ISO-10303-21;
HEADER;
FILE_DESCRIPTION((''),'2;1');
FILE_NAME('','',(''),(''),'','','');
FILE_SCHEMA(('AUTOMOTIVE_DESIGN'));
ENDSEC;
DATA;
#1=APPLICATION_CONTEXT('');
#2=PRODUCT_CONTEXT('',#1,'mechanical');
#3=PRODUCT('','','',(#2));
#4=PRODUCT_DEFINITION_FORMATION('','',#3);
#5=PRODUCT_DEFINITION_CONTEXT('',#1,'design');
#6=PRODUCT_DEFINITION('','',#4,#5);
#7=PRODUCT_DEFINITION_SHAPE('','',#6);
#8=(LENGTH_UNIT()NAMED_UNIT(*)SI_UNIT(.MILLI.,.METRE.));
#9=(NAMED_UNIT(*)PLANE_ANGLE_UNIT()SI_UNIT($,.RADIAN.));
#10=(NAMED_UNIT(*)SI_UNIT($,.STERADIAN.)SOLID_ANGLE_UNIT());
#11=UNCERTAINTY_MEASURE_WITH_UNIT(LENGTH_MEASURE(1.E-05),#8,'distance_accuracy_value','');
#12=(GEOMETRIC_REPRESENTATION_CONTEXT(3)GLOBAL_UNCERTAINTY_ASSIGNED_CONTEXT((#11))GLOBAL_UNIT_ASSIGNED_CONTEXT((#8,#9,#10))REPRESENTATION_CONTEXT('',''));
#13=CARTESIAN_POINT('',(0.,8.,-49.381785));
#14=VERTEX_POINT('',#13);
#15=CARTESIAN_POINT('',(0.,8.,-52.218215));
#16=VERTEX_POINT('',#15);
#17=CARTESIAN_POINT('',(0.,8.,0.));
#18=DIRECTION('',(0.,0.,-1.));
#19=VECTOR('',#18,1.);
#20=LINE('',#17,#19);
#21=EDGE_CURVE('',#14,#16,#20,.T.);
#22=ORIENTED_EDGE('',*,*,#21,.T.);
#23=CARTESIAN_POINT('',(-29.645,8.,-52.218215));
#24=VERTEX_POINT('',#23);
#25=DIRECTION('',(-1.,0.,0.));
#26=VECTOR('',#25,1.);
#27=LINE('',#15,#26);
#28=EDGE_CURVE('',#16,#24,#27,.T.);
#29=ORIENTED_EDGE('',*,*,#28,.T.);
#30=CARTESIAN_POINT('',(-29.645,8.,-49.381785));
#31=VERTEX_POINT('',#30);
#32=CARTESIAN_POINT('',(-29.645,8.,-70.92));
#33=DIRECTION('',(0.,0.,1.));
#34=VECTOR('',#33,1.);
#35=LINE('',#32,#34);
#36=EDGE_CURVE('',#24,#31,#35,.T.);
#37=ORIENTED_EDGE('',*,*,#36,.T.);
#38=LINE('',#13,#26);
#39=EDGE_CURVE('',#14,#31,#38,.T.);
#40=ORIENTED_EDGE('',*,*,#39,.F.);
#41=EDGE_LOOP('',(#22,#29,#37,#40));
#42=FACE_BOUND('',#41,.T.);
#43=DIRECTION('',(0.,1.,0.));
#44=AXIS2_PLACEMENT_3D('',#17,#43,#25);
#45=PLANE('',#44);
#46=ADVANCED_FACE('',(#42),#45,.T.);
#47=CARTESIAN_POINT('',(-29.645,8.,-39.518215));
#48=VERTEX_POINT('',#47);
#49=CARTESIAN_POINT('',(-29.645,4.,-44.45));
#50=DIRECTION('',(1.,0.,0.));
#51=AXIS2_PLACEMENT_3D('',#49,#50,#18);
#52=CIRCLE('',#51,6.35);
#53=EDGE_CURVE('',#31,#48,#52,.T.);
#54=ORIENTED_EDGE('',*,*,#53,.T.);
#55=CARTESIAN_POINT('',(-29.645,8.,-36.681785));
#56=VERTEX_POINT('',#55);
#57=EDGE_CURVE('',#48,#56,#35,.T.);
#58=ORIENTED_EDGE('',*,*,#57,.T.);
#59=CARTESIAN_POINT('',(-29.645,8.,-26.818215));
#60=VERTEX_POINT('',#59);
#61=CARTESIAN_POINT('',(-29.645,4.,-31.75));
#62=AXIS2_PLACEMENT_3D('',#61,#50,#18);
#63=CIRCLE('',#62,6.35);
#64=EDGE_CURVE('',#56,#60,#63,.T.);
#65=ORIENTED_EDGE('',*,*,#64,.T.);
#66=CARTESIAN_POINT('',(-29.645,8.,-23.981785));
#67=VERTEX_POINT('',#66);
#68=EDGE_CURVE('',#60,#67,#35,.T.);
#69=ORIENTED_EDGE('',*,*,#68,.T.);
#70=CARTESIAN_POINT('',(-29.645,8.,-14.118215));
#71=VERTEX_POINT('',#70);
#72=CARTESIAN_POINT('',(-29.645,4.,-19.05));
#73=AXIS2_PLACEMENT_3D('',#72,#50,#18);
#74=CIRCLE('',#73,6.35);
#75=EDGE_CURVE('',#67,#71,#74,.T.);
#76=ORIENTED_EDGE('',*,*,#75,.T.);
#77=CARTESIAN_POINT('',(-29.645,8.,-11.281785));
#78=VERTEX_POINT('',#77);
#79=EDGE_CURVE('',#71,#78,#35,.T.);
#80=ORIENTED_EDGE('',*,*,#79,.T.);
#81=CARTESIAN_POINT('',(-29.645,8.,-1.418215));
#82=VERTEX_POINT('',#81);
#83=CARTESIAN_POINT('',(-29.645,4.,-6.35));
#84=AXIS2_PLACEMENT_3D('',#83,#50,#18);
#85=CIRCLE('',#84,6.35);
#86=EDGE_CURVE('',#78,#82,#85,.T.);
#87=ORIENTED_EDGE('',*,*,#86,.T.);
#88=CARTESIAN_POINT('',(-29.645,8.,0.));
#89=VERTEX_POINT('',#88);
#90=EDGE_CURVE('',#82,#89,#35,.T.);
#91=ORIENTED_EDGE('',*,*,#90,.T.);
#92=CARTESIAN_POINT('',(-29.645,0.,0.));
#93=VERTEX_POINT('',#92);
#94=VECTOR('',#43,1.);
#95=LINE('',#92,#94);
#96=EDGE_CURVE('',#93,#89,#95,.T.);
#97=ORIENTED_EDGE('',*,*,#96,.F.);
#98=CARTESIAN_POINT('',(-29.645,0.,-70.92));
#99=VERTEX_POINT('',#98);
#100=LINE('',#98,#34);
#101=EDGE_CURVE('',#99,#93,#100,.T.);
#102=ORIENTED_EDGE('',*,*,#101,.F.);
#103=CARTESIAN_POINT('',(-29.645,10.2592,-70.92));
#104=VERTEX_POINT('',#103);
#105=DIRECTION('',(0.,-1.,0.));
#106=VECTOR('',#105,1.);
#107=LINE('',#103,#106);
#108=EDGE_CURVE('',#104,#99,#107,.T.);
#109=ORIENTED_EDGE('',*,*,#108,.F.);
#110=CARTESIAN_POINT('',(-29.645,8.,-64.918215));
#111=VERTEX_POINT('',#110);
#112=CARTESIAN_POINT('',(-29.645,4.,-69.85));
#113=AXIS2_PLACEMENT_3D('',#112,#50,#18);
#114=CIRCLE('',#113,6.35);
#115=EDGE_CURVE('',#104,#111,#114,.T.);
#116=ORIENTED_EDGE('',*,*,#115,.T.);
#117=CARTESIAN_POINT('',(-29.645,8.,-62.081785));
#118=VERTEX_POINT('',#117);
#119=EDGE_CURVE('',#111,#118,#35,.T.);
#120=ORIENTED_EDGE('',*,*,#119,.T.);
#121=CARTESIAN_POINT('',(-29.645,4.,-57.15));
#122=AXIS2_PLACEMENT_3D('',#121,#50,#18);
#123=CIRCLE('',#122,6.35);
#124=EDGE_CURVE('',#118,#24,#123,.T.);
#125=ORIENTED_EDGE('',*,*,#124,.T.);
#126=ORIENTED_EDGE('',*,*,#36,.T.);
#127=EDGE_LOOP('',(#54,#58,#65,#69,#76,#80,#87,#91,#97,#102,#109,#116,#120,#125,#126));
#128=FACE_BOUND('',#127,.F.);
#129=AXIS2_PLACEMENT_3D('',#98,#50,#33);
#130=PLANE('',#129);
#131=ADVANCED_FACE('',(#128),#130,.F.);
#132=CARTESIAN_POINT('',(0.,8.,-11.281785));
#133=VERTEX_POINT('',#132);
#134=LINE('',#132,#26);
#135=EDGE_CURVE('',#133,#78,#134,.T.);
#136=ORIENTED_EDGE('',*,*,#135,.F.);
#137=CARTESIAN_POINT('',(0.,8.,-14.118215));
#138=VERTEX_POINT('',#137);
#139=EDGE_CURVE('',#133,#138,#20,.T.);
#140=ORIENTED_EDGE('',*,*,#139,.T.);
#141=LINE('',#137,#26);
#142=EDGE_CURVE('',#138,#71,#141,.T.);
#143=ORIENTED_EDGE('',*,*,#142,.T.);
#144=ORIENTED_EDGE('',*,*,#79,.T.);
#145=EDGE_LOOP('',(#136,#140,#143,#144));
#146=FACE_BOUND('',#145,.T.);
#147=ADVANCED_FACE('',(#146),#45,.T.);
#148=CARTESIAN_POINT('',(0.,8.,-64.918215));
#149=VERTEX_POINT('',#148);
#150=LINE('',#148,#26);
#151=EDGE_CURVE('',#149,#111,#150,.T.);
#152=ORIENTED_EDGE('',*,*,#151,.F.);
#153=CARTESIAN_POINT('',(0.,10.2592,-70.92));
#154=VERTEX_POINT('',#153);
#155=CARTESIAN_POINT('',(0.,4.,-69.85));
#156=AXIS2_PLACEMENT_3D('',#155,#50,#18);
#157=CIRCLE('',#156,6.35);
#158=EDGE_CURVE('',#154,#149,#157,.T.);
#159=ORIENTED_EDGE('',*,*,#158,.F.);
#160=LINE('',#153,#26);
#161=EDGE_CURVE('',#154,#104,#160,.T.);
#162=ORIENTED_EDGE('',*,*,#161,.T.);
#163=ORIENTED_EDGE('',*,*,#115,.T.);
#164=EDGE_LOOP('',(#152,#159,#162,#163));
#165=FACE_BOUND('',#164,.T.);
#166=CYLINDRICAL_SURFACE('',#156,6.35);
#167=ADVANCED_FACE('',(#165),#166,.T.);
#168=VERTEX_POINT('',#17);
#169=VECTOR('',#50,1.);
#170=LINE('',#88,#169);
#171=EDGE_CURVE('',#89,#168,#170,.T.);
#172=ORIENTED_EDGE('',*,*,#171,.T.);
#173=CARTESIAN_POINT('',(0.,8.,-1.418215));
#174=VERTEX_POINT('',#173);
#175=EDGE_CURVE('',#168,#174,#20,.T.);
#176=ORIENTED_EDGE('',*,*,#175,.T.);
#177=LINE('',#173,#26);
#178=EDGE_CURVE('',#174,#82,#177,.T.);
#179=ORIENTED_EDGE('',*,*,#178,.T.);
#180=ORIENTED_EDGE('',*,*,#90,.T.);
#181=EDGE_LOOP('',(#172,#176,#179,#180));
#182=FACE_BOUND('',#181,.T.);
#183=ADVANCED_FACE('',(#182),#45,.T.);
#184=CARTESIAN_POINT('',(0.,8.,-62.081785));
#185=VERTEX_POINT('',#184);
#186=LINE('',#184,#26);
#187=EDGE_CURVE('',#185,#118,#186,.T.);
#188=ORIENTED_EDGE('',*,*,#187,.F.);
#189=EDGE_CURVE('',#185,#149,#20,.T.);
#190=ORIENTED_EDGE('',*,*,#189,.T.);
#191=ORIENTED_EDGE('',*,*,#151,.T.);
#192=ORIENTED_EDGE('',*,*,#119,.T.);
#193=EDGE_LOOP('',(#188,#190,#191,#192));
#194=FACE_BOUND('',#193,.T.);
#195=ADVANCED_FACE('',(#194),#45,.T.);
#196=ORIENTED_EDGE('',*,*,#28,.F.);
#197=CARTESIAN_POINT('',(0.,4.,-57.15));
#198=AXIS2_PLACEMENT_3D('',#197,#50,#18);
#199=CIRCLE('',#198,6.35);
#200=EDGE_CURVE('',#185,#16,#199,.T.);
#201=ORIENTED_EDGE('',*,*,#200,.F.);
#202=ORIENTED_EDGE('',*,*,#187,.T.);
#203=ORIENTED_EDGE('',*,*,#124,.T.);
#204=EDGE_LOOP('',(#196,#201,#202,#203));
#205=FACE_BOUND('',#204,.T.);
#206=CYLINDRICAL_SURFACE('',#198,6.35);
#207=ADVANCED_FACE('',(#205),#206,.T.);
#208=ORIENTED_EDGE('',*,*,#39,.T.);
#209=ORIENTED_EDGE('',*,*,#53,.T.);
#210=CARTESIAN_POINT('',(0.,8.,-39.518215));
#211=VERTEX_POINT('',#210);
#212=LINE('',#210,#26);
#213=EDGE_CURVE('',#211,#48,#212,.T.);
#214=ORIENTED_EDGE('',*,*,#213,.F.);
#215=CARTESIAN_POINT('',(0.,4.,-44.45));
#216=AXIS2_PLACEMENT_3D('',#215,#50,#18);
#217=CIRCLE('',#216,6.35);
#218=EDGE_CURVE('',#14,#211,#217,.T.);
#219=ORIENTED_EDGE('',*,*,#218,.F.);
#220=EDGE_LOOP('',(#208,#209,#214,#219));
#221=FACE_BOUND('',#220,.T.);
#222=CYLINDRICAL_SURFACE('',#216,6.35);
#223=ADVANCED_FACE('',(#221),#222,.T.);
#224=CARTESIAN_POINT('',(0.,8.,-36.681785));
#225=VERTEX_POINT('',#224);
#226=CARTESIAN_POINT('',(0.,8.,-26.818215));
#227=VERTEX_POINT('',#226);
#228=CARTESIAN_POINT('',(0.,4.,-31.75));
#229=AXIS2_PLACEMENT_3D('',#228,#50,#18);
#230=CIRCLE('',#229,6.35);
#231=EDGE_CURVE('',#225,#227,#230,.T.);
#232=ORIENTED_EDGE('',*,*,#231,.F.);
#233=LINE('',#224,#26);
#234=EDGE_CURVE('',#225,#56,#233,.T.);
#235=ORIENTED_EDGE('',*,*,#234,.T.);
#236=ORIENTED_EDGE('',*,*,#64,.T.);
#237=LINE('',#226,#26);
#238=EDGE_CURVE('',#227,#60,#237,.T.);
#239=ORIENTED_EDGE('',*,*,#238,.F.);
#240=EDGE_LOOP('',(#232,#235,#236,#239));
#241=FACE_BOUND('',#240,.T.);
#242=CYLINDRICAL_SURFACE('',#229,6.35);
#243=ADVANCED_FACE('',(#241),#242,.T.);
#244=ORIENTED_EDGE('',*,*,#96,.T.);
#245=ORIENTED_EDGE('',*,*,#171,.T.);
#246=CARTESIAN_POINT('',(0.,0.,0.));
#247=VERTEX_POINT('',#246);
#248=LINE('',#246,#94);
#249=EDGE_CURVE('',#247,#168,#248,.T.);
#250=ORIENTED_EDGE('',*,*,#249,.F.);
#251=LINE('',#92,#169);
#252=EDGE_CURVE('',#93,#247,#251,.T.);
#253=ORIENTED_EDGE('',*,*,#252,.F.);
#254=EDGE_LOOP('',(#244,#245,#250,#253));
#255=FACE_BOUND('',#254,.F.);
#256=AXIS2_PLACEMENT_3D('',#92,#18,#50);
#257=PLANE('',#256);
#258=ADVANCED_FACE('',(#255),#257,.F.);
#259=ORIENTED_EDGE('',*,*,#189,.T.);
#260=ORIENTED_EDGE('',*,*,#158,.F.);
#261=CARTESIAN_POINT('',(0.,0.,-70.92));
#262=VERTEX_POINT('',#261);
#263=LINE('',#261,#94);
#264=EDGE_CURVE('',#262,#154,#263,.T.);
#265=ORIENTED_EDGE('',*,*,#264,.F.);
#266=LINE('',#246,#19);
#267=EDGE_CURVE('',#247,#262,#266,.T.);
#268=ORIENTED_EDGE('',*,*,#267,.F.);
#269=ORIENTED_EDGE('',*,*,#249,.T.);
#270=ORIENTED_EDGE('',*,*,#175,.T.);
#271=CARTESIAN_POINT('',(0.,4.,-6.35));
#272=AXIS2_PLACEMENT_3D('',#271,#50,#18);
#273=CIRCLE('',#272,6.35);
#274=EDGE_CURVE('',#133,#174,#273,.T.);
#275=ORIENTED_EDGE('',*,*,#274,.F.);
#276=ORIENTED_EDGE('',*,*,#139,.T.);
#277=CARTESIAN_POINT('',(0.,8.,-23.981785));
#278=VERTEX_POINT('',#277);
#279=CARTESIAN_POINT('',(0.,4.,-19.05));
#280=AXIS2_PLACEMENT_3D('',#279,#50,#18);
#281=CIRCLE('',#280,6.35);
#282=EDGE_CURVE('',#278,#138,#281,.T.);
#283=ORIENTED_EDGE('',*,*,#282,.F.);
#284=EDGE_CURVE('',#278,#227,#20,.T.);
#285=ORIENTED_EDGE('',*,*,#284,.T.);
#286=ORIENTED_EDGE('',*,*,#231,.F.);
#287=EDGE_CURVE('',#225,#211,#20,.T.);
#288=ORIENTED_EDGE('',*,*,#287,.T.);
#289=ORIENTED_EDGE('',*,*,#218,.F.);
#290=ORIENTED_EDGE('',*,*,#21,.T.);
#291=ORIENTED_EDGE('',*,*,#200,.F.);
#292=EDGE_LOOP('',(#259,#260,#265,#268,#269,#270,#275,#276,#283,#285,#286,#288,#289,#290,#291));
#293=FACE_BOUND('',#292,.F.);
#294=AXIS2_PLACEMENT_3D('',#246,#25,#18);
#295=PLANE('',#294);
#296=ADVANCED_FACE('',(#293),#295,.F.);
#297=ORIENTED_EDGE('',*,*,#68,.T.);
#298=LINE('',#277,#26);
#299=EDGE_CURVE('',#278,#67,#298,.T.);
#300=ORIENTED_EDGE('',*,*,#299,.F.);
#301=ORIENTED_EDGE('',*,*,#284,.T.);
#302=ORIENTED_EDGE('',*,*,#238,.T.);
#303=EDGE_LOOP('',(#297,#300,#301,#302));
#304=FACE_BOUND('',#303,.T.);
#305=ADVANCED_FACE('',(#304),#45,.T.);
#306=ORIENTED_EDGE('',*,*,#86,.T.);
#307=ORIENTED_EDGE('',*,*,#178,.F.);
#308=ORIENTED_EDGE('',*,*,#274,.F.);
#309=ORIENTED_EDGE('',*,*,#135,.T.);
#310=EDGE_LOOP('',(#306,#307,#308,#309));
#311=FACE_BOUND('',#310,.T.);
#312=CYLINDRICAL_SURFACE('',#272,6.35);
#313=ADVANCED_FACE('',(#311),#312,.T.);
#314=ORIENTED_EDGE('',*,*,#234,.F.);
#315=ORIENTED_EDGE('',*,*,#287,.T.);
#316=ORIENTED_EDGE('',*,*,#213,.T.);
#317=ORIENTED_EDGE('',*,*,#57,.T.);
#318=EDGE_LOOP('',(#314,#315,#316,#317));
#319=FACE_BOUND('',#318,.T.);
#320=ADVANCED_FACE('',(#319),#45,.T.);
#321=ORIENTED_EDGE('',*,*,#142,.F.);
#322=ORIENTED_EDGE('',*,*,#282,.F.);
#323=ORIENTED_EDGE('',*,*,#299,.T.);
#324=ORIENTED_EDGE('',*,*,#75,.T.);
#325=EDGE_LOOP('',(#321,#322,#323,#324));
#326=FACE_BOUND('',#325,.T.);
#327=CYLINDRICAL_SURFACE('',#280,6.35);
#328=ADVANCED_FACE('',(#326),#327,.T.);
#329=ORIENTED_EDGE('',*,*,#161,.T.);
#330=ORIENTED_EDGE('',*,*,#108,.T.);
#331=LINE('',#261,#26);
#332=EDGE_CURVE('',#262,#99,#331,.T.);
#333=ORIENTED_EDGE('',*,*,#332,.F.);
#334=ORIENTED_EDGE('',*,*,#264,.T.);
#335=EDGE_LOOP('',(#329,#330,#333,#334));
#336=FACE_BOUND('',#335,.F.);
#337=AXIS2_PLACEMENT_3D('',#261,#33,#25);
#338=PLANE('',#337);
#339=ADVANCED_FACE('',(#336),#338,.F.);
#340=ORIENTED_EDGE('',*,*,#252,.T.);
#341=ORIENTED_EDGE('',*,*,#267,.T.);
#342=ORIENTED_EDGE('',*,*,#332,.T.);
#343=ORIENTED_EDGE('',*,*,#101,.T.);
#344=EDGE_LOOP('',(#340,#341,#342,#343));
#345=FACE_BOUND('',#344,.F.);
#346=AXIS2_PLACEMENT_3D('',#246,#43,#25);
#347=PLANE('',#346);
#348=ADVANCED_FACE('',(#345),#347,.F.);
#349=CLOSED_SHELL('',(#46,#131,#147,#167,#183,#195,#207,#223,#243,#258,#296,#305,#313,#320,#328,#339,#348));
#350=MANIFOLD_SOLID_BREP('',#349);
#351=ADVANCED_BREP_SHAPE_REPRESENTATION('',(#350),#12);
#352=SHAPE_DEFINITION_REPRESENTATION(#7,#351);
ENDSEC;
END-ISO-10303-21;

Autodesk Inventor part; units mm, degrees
ref_plane "YZ Plane" through (0, 0, 0) normal (1, 0, 0) x (0, 1, 0)
ref_plane "XZ Plane" through (0, 0, 0) normal (0, 1, 0) x (-1, 0, 0)
ref_plane "XY Plane" through (0, 0, 0) normal (0, 0, 1) x (1, 0, 0)
sketch "Sketch1" plane through (0, 0, 0) normal (0, 1, 0) x (-1, 0, 0)
  line L0 (0, 0) -> (0, -70.92)
  line L1 (0, -70.92) -> (29.645, -70.92)
  line L2 (29.645, -70.92) -> (29.645, 0)
  line L3 (29.645, 0) -> (0, 0)
  dimension "d0" = 70.92
  dimension "d1" = 29.645
extrude "Extrusion1" add sketch "Sketch1" along normal blind 8
sketch "Sketch2" plane through (0, 0, 0) normal (1, 0, 0) x (0, 0, -1)
  line L0 (0, 0) -> (70.92, 0) construction
  line L1 (0, 8) -> (70.92, 8) construction
  line L2 (0, 0) -> (0, 8) construction
  circle A0 centre (6.35, 4) radius 6.35
  circle A1 centre (19.05, 4) radius 6.35
  circle A2 centre (31.75, 4) radius 6.35
  circle A3 centre (44.45, 4) radius 6.35
  circle A4 centre (57.15, 4) radius 6.35
  circle A5 centre (69.85, 4) radius 6.35
  line L3 (70.92, 0) -> (0, 0) construction
  line L4 (70.92, 0) -> (70.92, -2.2592)
  line L5 (70.92, 0) -> (70.92, 8) construction
  line L6 (70.92, 8) -> (70.92, 10.2592)
  line L7 (70.92, 8) -> (0, 8)
  point P0 (0, 4)
  point P1 (0, 4)
  point P2 (64.9182, 8)
  point P3 (52.2182, 8)
  point P4 (62.0818, 8)
  point P5 (39.5182, 8)
  point P6 (49.3818, 8)
  point P7 (26.8182, 8)
  point P8 (36.6818, 8)
  point P9 (14.1182, 8)
  point P10 (23.9818, 8)
  point P11 (1.4182, 8)
  point P12 (11.2818, 8)
  dimension "d4" = 6.35
  dimension "d7" = 12.7
extrude "Extrusion2" add sketch "Sketch2" against normal up to surface (29.645 mm away) contours L7 A0 | A1 L7 | A2 L7 | A3 L7 | A4 L7 | A5 L6 L7 picked at (6.8167, 8.7312) picked at (18.1395, 8.5775) picked at (33.0595, 8.3297) picked at (43.205, 8.9072) picked at (55.905, 8.9072) picked at (67.2357, 8.3157)
properties part number "Pad"
